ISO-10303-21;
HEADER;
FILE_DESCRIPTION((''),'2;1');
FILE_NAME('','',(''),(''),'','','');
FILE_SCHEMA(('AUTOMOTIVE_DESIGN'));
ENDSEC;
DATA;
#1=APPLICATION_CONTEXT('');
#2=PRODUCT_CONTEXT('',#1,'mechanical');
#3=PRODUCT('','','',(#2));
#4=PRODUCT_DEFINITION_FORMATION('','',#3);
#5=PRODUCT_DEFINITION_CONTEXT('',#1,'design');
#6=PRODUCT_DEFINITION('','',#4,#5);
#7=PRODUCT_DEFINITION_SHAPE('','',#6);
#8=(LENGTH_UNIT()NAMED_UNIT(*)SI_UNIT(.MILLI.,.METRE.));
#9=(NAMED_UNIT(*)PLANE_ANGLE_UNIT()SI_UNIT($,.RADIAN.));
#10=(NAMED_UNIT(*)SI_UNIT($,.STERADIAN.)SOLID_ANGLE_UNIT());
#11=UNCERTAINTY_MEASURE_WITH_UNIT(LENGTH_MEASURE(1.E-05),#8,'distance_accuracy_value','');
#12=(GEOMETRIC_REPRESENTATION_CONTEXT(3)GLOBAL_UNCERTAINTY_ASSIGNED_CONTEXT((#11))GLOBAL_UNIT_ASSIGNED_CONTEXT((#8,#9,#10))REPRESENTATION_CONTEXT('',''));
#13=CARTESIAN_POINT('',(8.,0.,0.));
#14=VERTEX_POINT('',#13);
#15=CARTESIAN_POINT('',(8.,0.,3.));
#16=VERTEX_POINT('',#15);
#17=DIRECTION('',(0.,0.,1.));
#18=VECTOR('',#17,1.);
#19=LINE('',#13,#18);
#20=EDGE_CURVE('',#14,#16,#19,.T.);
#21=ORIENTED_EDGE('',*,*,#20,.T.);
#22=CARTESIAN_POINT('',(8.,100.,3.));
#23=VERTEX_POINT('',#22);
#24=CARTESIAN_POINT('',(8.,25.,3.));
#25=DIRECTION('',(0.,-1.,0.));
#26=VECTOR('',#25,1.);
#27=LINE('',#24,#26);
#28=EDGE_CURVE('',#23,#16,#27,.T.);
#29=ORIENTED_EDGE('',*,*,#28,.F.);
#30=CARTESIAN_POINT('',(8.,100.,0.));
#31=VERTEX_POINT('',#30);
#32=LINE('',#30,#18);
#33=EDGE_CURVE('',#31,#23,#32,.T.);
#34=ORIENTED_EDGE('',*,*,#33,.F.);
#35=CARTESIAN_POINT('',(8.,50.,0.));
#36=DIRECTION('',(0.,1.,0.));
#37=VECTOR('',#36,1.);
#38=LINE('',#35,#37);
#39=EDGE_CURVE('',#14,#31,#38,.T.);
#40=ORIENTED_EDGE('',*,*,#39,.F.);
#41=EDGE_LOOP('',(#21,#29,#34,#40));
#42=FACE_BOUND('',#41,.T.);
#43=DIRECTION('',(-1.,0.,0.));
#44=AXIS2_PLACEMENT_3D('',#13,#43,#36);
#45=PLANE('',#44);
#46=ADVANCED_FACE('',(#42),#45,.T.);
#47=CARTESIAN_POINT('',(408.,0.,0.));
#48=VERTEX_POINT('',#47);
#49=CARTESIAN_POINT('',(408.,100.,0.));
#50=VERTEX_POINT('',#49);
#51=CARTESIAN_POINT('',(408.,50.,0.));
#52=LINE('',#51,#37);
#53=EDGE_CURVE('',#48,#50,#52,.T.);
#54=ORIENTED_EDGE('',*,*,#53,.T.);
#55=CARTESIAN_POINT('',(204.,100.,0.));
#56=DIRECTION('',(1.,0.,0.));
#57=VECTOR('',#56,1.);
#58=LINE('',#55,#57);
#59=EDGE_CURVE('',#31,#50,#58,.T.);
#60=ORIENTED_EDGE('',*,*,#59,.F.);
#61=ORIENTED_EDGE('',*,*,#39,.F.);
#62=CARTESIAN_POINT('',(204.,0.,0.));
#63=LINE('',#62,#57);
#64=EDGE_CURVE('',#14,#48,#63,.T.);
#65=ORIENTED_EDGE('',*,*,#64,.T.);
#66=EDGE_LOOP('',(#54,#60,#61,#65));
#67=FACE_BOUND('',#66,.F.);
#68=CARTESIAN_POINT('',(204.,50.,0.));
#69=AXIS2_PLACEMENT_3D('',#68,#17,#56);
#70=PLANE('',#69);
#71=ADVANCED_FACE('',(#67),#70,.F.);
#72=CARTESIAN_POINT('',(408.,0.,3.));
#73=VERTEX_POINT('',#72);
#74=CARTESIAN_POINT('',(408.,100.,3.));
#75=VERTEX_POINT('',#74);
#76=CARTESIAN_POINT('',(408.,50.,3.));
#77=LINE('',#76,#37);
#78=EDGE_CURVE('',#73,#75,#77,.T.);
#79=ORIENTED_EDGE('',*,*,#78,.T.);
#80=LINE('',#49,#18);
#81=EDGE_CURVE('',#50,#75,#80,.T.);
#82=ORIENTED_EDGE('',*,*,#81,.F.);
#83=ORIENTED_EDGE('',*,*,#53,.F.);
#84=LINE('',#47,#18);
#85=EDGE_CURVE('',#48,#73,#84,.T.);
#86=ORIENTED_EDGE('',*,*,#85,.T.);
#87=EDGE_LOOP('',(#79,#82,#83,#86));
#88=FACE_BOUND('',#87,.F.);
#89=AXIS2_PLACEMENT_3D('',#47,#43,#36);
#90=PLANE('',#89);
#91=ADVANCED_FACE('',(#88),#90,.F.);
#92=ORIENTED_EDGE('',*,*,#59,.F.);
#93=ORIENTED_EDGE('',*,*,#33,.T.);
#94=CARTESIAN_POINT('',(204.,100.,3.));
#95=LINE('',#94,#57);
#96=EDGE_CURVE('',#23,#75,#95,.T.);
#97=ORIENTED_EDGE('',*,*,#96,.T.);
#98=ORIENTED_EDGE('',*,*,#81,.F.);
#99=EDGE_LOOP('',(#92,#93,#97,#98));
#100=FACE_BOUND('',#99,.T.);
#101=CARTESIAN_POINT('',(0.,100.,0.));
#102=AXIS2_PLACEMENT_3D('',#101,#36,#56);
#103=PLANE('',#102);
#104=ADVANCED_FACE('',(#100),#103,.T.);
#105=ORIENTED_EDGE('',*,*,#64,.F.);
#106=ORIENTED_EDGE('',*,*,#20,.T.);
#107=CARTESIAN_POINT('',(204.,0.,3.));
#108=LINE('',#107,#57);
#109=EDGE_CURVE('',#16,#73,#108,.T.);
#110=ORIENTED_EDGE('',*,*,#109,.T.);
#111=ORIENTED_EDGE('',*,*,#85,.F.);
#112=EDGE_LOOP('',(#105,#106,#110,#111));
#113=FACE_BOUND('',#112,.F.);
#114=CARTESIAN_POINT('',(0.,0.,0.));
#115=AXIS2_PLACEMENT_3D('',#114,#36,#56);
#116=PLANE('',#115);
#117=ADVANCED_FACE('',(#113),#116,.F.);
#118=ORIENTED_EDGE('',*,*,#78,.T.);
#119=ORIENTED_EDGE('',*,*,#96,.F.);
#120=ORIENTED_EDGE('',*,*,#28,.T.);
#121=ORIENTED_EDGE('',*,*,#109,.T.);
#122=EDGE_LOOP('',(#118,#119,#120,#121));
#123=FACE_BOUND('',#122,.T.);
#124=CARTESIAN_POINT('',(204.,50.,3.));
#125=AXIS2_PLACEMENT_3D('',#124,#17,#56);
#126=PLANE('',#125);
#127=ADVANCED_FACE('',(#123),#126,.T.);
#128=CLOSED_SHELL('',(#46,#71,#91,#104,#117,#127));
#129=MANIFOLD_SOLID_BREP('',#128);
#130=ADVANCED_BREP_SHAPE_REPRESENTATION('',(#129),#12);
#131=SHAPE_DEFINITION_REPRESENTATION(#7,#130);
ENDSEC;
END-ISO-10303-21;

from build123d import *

# Parameters (mm, degrees)
SKETCH1_W           = 408
SKETCH1_H           = 100
BOSS_EXTRUDE1_DEPTH = 3
SKETCH3_W           = 8
SKETCH3_H           = 100
CUT_EXTRUDE2_DEPTH  = 10


with BuildPart() as part:
    # Sketch1 → Boss-Extrude1 (new body)
    with BuildSketch(Plane.XY):
        with Locations((204, 50)):
            Rectangle(SKETCH1_W, SKETCH1_H)
    extrude(amount=BOSS_EXTRUDE1_DEPTH)

    # Sketch3 → Cut-Extrude2 (cut)
    with BuildSketch(Plane(origin=(0, 0, 0), x_dir=(-1, 0, 0), z_dir=(0, 0, -1))):
        with Locations((-4, 50)):
            Rectangle(SKETCH3_W, SKETCH3_H)
    extrude(amount=-CUT_EXTRUDE2_DEPTH, mode=Mode.SUBTRACT)


solid = part.part
